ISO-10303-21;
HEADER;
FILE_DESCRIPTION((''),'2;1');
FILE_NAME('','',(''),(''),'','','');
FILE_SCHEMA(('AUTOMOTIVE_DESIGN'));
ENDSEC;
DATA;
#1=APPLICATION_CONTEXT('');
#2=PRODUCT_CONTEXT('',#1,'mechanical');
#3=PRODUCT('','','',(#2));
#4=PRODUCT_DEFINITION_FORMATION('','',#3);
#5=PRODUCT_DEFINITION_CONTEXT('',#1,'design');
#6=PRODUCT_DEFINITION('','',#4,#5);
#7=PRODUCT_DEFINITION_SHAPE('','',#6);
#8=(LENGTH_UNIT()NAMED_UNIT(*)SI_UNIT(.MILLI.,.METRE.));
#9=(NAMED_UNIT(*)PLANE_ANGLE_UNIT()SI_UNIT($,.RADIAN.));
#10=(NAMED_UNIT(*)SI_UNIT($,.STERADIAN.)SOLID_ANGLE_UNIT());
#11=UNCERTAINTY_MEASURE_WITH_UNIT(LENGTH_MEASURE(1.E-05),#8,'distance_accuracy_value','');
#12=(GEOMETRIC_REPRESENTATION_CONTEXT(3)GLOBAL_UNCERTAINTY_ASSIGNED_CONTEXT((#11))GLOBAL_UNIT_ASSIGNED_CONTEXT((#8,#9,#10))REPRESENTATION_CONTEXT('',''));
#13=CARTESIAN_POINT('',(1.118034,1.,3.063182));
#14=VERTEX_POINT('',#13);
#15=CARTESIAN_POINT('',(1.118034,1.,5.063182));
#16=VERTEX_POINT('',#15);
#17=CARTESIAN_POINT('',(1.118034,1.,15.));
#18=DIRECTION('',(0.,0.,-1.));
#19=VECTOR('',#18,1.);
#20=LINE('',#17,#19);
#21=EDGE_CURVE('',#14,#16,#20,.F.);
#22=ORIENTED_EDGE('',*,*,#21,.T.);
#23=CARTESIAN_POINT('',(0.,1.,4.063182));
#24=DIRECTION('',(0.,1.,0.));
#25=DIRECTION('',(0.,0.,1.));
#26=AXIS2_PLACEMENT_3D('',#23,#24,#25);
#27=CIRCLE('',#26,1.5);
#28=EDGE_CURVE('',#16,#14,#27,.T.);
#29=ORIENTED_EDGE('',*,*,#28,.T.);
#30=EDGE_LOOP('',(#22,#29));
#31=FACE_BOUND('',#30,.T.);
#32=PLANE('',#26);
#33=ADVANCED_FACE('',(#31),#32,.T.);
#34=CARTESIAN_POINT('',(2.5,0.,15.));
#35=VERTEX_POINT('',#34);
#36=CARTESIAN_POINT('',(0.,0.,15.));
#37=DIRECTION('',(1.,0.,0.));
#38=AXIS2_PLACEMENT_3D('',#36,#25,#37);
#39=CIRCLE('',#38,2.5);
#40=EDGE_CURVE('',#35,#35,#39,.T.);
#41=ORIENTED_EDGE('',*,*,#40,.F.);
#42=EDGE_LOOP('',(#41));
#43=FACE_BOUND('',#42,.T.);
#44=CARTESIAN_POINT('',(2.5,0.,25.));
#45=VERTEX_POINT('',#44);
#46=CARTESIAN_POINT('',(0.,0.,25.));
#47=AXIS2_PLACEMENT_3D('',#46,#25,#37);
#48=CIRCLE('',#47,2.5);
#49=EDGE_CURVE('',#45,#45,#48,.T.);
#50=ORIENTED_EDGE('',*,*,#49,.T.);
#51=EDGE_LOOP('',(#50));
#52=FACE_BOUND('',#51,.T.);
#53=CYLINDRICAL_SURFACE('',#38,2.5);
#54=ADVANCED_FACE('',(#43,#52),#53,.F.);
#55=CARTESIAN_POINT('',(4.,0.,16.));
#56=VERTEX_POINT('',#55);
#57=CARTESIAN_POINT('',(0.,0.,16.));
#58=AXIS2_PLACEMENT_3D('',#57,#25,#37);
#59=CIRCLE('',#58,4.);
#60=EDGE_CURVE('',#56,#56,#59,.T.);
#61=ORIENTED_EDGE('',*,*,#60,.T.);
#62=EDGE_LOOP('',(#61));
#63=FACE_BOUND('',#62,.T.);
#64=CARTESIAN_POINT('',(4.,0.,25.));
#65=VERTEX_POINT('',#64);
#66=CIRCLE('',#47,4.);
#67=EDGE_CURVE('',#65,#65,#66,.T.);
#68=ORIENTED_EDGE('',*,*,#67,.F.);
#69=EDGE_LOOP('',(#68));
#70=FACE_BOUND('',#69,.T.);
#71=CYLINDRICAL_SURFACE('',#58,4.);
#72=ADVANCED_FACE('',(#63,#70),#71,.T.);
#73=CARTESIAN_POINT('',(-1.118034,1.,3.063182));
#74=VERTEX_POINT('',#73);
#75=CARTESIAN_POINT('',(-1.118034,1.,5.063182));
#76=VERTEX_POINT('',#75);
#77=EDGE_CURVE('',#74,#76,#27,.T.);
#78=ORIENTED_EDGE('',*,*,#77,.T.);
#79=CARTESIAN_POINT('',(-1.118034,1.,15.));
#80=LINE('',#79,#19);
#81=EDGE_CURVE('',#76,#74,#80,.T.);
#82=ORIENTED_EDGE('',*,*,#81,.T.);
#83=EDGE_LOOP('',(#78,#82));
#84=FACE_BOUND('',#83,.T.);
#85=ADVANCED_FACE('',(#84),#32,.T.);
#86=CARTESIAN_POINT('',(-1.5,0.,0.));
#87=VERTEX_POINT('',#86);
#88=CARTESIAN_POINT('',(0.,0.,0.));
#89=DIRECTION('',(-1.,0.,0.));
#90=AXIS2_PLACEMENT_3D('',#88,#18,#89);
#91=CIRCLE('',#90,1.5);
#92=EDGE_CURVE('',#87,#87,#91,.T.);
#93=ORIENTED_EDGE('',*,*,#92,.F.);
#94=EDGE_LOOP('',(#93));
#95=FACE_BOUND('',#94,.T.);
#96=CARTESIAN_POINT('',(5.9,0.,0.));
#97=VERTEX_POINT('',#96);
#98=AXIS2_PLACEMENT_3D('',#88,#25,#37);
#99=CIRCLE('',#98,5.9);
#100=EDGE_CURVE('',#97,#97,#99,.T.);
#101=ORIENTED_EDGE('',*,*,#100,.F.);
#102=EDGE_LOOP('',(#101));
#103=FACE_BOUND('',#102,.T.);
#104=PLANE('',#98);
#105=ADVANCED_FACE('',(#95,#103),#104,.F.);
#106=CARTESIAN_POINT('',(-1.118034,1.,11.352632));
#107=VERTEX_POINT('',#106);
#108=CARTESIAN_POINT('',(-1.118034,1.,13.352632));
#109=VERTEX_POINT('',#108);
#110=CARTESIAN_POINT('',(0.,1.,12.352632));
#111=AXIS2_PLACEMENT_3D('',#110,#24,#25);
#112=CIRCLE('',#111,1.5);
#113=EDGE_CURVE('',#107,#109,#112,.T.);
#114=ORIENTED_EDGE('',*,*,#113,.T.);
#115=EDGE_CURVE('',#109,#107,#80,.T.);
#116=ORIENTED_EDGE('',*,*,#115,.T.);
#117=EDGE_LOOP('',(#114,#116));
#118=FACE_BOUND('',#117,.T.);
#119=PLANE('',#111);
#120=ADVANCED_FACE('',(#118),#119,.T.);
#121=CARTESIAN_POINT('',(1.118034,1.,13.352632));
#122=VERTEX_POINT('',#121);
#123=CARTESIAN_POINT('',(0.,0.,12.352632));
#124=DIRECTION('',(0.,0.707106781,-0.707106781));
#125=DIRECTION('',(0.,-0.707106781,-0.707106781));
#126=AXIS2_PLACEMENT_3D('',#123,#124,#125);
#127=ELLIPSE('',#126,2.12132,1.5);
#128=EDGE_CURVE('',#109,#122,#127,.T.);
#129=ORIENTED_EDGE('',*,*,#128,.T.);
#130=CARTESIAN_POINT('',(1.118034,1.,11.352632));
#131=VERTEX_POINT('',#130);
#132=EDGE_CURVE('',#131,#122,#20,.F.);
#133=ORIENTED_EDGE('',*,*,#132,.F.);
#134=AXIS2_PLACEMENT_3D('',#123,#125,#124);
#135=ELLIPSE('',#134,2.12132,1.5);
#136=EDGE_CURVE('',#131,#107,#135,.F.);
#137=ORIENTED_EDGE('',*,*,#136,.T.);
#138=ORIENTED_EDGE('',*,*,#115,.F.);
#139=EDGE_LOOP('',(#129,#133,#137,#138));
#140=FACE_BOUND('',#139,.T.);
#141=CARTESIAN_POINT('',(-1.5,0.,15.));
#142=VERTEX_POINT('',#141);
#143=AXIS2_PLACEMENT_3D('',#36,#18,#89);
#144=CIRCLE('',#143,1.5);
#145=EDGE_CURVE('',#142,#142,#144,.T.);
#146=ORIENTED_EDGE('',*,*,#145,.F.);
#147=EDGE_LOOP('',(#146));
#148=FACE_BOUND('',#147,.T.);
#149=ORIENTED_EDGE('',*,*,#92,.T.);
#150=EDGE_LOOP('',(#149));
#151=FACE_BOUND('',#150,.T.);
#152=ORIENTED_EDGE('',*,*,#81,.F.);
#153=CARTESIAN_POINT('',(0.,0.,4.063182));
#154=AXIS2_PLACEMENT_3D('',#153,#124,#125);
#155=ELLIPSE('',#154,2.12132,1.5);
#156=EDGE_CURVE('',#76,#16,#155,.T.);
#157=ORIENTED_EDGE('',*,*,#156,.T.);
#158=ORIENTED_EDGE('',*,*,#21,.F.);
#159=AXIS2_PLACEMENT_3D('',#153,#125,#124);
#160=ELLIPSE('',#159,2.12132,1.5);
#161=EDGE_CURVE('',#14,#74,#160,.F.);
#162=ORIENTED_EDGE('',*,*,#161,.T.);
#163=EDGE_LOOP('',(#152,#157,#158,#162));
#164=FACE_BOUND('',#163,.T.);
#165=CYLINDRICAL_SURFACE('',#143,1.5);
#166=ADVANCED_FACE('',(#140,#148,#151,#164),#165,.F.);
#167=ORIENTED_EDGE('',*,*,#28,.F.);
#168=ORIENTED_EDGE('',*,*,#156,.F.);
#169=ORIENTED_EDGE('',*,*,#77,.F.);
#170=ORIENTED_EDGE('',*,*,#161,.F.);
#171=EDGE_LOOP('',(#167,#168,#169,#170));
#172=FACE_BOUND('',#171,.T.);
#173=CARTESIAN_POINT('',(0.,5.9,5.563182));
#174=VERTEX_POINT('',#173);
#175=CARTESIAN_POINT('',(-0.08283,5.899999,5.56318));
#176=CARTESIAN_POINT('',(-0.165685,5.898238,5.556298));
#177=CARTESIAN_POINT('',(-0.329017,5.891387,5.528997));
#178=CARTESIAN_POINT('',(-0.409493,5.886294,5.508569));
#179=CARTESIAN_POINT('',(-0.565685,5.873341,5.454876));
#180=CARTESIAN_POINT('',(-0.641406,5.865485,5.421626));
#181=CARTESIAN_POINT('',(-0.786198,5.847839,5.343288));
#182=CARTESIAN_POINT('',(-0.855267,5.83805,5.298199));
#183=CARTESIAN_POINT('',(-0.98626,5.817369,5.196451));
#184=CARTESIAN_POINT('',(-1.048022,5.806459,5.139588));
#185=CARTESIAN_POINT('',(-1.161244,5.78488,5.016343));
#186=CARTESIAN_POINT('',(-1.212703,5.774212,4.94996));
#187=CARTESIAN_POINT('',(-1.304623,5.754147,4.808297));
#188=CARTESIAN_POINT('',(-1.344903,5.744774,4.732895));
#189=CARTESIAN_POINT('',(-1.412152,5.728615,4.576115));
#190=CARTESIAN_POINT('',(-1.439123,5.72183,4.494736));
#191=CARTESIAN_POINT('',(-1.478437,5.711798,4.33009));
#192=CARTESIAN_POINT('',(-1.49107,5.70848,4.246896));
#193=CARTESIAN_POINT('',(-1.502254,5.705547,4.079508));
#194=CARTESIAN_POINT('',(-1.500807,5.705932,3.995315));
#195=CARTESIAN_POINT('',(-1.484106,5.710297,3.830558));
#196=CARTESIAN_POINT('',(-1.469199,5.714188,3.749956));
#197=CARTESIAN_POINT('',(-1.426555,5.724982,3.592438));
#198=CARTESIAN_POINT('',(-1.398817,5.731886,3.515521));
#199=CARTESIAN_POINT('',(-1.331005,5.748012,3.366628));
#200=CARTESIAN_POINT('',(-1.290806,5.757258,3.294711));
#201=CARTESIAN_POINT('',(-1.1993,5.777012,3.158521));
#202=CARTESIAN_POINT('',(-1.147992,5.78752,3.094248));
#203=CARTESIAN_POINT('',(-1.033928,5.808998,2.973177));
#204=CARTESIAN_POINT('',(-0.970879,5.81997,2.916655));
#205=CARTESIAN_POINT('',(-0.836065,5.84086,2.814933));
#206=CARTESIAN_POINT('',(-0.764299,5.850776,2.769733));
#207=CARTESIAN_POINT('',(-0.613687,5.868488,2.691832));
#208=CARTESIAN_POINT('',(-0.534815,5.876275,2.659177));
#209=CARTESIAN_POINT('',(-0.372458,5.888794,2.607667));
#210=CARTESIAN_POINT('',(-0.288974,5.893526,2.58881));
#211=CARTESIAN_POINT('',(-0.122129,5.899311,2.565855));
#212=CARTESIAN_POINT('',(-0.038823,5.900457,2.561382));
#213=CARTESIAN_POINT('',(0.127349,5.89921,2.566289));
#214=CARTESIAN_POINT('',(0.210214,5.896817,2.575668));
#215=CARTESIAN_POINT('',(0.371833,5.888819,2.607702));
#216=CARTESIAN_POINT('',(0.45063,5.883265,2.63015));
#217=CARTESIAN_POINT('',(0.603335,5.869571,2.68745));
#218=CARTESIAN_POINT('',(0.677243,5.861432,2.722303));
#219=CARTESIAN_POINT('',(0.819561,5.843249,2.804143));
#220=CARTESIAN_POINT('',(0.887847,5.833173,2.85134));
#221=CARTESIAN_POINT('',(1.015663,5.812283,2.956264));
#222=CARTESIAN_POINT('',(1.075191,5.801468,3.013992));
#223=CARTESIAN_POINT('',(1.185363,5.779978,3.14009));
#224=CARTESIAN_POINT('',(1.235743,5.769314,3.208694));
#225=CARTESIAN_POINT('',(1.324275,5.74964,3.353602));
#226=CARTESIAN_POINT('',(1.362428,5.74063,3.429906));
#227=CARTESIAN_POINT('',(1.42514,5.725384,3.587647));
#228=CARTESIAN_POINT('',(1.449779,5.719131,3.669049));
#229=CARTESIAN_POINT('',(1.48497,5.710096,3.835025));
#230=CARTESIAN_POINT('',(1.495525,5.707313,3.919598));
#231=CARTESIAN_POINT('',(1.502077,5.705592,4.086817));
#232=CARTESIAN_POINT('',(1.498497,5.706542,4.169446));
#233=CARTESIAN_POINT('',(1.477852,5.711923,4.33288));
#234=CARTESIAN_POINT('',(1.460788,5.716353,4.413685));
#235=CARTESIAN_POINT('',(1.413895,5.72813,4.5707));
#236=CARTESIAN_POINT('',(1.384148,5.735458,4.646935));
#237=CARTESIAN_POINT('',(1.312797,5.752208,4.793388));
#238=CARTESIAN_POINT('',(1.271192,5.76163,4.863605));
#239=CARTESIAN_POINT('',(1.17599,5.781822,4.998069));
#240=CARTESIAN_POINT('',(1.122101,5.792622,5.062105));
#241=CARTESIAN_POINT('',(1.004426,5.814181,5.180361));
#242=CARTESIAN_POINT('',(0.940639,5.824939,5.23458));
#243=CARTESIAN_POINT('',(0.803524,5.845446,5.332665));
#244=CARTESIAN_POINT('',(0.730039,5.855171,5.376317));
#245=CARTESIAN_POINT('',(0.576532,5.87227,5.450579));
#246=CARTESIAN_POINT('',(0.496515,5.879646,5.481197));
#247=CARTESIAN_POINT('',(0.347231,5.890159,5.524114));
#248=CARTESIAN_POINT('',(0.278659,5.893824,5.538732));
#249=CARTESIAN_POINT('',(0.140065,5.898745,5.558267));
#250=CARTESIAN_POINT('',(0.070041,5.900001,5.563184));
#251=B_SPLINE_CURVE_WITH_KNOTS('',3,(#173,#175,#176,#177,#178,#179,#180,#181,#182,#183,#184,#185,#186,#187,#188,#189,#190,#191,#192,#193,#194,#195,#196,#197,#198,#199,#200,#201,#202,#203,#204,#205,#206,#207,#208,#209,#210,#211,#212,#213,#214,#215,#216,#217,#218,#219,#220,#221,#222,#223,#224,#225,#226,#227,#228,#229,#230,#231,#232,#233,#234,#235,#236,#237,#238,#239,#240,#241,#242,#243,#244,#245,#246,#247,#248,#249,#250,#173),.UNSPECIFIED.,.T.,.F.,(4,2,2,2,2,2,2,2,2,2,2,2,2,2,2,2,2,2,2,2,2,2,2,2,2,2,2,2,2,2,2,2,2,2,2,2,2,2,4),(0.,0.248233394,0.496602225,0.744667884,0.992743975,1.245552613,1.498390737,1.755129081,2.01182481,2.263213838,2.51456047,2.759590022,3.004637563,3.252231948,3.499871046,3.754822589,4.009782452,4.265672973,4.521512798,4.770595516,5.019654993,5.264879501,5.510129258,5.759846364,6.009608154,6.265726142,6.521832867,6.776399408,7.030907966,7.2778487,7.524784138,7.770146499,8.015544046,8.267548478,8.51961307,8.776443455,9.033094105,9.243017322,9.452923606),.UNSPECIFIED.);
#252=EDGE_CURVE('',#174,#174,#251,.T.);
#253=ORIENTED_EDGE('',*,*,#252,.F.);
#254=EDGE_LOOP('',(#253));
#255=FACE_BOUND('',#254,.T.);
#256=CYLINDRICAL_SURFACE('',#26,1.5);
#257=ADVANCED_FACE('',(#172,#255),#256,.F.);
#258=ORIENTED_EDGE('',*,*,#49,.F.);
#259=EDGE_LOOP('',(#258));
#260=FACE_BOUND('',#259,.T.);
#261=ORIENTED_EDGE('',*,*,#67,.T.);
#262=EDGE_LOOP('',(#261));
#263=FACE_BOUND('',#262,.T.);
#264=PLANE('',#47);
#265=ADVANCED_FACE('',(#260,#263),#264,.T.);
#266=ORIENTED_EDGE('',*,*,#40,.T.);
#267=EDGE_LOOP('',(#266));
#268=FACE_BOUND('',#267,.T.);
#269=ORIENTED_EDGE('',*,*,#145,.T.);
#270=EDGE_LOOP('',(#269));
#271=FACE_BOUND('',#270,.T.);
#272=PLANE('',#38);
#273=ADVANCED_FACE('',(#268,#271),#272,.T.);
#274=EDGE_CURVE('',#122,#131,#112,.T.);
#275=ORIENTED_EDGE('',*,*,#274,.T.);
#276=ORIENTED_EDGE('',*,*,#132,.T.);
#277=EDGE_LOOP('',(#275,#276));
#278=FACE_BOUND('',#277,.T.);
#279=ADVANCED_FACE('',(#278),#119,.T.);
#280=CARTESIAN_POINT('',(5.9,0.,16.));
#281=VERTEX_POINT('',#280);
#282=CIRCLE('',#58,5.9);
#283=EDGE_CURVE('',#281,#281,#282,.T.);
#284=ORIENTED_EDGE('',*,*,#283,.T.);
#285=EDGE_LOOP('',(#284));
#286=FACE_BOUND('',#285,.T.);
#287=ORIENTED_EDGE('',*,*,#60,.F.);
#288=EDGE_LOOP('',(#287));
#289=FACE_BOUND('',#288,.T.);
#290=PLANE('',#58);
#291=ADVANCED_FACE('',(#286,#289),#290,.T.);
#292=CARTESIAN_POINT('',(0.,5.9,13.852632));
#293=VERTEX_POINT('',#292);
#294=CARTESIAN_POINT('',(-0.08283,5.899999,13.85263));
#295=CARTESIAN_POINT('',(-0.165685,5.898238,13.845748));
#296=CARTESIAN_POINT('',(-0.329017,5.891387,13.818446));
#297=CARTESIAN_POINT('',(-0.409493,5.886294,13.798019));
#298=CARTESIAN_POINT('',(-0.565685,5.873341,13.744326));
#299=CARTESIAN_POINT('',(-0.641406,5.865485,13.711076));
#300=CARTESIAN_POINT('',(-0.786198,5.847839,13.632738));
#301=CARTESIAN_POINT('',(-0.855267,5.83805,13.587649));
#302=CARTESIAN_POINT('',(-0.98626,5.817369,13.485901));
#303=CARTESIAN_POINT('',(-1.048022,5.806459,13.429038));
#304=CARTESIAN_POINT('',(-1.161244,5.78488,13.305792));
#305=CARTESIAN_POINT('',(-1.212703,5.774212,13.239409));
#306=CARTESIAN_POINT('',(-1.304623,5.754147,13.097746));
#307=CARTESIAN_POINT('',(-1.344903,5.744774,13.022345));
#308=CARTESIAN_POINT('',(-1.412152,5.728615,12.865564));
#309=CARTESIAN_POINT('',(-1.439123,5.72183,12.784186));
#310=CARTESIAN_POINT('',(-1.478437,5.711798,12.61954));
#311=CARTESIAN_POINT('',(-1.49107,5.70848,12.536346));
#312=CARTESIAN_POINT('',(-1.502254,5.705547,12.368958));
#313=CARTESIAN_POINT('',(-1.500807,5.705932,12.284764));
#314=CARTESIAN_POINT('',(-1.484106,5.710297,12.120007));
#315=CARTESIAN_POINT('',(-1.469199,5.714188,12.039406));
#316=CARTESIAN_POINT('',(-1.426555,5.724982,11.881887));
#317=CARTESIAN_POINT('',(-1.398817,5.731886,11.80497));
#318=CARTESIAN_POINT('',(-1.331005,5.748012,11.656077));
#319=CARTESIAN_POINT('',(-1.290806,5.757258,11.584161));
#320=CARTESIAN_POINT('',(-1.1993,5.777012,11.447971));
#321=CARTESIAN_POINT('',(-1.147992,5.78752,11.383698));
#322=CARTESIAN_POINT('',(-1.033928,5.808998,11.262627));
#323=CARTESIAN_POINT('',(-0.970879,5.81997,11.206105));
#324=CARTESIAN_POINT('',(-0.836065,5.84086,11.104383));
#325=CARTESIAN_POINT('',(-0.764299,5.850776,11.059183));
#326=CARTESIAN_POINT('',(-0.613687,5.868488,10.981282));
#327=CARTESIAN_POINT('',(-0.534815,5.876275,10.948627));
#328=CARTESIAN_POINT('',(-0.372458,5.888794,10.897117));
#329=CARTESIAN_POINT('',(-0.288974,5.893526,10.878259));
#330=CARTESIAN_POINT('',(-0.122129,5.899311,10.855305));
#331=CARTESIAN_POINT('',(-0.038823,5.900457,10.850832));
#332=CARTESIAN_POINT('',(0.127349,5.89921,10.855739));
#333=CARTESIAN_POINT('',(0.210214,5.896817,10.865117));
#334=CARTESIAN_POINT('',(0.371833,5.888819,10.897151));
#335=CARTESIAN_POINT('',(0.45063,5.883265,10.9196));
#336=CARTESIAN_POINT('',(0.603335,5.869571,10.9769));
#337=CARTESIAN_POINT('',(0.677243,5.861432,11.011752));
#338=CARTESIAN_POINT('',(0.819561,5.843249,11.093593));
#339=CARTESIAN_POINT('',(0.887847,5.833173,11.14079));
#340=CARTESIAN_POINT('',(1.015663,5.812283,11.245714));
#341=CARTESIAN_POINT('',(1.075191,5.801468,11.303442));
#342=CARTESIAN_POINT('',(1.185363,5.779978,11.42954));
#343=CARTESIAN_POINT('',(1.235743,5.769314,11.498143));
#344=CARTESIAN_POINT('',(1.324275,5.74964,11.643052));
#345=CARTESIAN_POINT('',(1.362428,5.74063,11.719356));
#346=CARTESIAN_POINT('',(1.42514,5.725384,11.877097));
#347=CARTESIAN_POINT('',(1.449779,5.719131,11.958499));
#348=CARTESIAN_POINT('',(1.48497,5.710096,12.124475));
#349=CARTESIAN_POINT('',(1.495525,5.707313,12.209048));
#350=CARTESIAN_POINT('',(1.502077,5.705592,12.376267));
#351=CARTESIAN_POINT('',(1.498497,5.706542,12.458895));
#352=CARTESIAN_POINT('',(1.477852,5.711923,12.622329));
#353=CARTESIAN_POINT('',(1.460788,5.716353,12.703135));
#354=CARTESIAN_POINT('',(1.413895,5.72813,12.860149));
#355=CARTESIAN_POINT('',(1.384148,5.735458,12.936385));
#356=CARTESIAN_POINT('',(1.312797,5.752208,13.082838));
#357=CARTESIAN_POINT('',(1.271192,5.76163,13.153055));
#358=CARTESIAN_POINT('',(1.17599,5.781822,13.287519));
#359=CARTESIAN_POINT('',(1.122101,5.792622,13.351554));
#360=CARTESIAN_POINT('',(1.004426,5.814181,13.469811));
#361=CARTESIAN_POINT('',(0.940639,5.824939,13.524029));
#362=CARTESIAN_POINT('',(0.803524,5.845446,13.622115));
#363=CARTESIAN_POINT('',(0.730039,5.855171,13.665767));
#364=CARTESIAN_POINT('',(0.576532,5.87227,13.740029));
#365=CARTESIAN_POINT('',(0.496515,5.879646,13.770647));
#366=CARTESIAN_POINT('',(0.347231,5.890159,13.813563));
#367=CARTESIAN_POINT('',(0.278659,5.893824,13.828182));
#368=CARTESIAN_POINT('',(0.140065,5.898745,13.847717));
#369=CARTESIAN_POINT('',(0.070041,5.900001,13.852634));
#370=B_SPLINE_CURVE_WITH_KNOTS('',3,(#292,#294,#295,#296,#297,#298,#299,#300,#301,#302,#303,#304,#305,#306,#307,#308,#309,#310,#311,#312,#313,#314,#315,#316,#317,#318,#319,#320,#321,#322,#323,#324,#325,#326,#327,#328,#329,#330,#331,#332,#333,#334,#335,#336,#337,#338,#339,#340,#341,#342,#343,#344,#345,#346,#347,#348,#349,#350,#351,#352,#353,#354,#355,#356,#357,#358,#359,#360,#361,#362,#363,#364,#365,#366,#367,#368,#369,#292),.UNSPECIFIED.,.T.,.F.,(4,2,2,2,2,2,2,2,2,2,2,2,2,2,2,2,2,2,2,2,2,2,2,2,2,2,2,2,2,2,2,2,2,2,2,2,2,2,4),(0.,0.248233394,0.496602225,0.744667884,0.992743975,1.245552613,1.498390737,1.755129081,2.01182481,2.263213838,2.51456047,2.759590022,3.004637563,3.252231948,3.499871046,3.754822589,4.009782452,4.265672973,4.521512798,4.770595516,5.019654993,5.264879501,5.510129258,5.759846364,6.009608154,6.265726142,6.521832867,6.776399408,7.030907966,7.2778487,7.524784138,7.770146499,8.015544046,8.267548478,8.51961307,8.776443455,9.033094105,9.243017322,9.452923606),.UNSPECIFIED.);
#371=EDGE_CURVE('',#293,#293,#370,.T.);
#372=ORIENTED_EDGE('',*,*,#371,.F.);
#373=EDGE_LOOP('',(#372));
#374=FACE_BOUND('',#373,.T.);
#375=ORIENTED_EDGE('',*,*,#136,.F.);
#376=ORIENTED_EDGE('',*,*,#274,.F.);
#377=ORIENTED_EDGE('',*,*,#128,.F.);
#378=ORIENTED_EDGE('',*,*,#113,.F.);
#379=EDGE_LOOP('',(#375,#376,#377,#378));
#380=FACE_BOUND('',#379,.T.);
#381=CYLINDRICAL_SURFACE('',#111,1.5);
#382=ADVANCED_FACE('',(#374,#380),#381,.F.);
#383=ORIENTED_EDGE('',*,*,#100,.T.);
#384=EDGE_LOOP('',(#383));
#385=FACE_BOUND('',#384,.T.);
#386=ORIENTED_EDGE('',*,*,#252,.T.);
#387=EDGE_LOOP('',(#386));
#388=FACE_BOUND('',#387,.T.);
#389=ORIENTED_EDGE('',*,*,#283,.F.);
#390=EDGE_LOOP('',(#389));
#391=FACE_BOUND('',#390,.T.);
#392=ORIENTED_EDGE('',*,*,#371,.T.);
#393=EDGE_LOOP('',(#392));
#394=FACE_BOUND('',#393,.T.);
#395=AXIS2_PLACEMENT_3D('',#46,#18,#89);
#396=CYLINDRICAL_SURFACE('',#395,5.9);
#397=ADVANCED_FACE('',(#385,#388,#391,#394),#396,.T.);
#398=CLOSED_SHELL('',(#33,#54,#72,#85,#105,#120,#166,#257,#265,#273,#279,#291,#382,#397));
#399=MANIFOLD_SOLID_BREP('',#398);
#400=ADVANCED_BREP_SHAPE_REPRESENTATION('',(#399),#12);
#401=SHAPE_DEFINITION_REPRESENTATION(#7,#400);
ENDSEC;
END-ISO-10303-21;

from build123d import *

# Parameters (mm, degrees)
SKETCH_1_R          = 5.9
EXTRUDE_1_DEPTH     = 25
SKETCH_2_R          = 2.5
CUT_EXTRUDE_2_DEPTH = 10
SKETCH_3_R          = 1.5
CUT_EXTRUDE_3_DEPTH = 15
SKETCH_5_R          = 1.5
CUT_EXTRUDE_4_DEPTH = 6
CUT_EXTRUDE_START   = -9
SKETCH_6_R          = 5.9
SKETCH_6_R_2        = 4
CUT_EXTRUDE_5_DEPTH = 9


with BuildPart() as part:
    # Эскиз1 → Вытянуть1 (new body)
    with BuildSketch(Plane.XY):
        Circle(SKETCH_1_R)
    extrude(amount=EXTRUDE_1_DEPTH)

    # Эскиз2 → Вытянуть2 (cut)
    with BuildSketch(Plane.XY.offset(25)):
        Circle(SKETCH_2_R)
    extrude(amount=-CUT_EXTRUDE_2_DEPTH, mode=Mode.SUBTRACT)

    # Эскиз3 → Вытянуть3 (cut)
    with BuildSketch(Plane(origin=(0, 0, 0), x_dir=(-1, 0, 0), z_dir=(0, 0, -1))):
        Circle(SKETCH_3_R)
    extrude(amount=-CUT_EXTRUDE_3_DEPTH, mode=Mode.SUBTRACT)

    # Эскиз5 → Вытянуть4 (cut)
    with BuildSketch(Plane(origin=(0, 7, 0), x_dir=(-1, 0, 0), z_dir=(0, 1, 0))):
        with Locations(Location((0, 4.063182322, 0), (0, 0, 90))):
            Circle(SKETCH_5_R)
        with Locations(Location((0, 12.352632006, 0), (0, 0, 90))):
            Circle(SKETCH_5_R)
    extrude(amount=-CUT_EXTRUDE_4_DEPTH, mode=Mode.SUBTRACT)

    # Эскиз6 → Вытянуть5 (cut)
    with BuildSketch(Plane.XY.offset(25).offset(CUT_EXTRUDE_START)):
        Circle(SKETCH_6_R)
        Circle(SKETCH_6_R_2, mode=Mode.SUBTRACT)
    extrude(amount=CUT_EXTRUDE_5_DEPTH, mode=Mode.SUBTRACT)


solid = part.part
